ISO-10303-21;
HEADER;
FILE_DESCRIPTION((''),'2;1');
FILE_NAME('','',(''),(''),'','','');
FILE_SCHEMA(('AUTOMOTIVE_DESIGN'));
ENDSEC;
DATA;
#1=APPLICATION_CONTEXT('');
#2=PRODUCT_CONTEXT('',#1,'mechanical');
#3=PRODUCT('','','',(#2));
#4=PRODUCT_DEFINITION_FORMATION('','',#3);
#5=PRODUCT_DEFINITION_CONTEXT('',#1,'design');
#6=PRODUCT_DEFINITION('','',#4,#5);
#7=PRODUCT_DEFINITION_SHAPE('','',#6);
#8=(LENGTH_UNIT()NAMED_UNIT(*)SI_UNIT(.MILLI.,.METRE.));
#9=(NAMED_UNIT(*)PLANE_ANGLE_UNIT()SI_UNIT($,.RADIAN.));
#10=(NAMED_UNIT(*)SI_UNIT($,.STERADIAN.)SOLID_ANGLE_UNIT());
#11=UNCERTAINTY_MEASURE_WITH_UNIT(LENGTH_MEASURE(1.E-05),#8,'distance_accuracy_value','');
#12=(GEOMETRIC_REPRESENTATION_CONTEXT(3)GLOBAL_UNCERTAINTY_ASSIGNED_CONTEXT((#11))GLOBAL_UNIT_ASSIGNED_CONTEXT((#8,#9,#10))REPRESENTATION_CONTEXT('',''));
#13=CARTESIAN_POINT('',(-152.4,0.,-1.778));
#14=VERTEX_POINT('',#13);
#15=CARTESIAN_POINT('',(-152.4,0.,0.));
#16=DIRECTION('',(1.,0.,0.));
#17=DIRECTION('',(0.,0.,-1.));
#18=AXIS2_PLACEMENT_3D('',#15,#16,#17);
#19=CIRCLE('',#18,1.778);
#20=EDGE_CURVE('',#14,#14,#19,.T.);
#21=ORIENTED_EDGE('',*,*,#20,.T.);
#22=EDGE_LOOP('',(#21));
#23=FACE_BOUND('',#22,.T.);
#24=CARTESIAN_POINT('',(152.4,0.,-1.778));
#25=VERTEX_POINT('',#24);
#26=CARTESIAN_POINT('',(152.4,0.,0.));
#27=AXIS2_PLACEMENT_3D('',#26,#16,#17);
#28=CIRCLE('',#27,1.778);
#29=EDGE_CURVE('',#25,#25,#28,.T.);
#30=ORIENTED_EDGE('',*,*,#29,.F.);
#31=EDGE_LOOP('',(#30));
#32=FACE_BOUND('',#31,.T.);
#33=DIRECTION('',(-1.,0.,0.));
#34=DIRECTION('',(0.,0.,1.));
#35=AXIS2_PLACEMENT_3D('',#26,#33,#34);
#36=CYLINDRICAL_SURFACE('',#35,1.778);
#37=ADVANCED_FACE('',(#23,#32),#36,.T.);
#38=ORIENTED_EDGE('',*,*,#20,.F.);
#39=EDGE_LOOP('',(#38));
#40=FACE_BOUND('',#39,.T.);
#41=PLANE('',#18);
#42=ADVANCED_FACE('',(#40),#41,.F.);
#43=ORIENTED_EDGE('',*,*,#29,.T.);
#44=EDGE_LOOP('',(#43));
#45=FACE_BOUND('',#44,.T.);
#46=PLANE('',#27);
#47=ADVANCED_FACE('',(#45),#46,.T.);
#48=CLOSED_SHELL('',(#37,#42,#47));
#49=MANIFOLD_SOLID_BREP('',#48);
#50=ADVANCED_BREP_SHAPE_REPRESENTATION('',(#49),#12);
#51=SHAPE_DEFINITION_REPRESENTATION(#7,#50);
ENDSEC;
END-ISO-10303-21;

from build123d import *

# Parameters (mm, degrees)
SKETCH1_R           = 1.778
BOSS_EXTRUDE1_DEPTH = 152.4


with BuildPart() as part:
    # Sketch1 → Boss-Extrude1 (new body, symmetric)
    with BuildSketch(Plane(origin=(0, 0, 0), x_dir=(0, 0, -1), z_dir=(1, 0, 0))):
        Circle(SKETCH1_R)
    extrude(amount=BOSS_EXTRUDE1_DEPTH, both=True)


solid = part.part
